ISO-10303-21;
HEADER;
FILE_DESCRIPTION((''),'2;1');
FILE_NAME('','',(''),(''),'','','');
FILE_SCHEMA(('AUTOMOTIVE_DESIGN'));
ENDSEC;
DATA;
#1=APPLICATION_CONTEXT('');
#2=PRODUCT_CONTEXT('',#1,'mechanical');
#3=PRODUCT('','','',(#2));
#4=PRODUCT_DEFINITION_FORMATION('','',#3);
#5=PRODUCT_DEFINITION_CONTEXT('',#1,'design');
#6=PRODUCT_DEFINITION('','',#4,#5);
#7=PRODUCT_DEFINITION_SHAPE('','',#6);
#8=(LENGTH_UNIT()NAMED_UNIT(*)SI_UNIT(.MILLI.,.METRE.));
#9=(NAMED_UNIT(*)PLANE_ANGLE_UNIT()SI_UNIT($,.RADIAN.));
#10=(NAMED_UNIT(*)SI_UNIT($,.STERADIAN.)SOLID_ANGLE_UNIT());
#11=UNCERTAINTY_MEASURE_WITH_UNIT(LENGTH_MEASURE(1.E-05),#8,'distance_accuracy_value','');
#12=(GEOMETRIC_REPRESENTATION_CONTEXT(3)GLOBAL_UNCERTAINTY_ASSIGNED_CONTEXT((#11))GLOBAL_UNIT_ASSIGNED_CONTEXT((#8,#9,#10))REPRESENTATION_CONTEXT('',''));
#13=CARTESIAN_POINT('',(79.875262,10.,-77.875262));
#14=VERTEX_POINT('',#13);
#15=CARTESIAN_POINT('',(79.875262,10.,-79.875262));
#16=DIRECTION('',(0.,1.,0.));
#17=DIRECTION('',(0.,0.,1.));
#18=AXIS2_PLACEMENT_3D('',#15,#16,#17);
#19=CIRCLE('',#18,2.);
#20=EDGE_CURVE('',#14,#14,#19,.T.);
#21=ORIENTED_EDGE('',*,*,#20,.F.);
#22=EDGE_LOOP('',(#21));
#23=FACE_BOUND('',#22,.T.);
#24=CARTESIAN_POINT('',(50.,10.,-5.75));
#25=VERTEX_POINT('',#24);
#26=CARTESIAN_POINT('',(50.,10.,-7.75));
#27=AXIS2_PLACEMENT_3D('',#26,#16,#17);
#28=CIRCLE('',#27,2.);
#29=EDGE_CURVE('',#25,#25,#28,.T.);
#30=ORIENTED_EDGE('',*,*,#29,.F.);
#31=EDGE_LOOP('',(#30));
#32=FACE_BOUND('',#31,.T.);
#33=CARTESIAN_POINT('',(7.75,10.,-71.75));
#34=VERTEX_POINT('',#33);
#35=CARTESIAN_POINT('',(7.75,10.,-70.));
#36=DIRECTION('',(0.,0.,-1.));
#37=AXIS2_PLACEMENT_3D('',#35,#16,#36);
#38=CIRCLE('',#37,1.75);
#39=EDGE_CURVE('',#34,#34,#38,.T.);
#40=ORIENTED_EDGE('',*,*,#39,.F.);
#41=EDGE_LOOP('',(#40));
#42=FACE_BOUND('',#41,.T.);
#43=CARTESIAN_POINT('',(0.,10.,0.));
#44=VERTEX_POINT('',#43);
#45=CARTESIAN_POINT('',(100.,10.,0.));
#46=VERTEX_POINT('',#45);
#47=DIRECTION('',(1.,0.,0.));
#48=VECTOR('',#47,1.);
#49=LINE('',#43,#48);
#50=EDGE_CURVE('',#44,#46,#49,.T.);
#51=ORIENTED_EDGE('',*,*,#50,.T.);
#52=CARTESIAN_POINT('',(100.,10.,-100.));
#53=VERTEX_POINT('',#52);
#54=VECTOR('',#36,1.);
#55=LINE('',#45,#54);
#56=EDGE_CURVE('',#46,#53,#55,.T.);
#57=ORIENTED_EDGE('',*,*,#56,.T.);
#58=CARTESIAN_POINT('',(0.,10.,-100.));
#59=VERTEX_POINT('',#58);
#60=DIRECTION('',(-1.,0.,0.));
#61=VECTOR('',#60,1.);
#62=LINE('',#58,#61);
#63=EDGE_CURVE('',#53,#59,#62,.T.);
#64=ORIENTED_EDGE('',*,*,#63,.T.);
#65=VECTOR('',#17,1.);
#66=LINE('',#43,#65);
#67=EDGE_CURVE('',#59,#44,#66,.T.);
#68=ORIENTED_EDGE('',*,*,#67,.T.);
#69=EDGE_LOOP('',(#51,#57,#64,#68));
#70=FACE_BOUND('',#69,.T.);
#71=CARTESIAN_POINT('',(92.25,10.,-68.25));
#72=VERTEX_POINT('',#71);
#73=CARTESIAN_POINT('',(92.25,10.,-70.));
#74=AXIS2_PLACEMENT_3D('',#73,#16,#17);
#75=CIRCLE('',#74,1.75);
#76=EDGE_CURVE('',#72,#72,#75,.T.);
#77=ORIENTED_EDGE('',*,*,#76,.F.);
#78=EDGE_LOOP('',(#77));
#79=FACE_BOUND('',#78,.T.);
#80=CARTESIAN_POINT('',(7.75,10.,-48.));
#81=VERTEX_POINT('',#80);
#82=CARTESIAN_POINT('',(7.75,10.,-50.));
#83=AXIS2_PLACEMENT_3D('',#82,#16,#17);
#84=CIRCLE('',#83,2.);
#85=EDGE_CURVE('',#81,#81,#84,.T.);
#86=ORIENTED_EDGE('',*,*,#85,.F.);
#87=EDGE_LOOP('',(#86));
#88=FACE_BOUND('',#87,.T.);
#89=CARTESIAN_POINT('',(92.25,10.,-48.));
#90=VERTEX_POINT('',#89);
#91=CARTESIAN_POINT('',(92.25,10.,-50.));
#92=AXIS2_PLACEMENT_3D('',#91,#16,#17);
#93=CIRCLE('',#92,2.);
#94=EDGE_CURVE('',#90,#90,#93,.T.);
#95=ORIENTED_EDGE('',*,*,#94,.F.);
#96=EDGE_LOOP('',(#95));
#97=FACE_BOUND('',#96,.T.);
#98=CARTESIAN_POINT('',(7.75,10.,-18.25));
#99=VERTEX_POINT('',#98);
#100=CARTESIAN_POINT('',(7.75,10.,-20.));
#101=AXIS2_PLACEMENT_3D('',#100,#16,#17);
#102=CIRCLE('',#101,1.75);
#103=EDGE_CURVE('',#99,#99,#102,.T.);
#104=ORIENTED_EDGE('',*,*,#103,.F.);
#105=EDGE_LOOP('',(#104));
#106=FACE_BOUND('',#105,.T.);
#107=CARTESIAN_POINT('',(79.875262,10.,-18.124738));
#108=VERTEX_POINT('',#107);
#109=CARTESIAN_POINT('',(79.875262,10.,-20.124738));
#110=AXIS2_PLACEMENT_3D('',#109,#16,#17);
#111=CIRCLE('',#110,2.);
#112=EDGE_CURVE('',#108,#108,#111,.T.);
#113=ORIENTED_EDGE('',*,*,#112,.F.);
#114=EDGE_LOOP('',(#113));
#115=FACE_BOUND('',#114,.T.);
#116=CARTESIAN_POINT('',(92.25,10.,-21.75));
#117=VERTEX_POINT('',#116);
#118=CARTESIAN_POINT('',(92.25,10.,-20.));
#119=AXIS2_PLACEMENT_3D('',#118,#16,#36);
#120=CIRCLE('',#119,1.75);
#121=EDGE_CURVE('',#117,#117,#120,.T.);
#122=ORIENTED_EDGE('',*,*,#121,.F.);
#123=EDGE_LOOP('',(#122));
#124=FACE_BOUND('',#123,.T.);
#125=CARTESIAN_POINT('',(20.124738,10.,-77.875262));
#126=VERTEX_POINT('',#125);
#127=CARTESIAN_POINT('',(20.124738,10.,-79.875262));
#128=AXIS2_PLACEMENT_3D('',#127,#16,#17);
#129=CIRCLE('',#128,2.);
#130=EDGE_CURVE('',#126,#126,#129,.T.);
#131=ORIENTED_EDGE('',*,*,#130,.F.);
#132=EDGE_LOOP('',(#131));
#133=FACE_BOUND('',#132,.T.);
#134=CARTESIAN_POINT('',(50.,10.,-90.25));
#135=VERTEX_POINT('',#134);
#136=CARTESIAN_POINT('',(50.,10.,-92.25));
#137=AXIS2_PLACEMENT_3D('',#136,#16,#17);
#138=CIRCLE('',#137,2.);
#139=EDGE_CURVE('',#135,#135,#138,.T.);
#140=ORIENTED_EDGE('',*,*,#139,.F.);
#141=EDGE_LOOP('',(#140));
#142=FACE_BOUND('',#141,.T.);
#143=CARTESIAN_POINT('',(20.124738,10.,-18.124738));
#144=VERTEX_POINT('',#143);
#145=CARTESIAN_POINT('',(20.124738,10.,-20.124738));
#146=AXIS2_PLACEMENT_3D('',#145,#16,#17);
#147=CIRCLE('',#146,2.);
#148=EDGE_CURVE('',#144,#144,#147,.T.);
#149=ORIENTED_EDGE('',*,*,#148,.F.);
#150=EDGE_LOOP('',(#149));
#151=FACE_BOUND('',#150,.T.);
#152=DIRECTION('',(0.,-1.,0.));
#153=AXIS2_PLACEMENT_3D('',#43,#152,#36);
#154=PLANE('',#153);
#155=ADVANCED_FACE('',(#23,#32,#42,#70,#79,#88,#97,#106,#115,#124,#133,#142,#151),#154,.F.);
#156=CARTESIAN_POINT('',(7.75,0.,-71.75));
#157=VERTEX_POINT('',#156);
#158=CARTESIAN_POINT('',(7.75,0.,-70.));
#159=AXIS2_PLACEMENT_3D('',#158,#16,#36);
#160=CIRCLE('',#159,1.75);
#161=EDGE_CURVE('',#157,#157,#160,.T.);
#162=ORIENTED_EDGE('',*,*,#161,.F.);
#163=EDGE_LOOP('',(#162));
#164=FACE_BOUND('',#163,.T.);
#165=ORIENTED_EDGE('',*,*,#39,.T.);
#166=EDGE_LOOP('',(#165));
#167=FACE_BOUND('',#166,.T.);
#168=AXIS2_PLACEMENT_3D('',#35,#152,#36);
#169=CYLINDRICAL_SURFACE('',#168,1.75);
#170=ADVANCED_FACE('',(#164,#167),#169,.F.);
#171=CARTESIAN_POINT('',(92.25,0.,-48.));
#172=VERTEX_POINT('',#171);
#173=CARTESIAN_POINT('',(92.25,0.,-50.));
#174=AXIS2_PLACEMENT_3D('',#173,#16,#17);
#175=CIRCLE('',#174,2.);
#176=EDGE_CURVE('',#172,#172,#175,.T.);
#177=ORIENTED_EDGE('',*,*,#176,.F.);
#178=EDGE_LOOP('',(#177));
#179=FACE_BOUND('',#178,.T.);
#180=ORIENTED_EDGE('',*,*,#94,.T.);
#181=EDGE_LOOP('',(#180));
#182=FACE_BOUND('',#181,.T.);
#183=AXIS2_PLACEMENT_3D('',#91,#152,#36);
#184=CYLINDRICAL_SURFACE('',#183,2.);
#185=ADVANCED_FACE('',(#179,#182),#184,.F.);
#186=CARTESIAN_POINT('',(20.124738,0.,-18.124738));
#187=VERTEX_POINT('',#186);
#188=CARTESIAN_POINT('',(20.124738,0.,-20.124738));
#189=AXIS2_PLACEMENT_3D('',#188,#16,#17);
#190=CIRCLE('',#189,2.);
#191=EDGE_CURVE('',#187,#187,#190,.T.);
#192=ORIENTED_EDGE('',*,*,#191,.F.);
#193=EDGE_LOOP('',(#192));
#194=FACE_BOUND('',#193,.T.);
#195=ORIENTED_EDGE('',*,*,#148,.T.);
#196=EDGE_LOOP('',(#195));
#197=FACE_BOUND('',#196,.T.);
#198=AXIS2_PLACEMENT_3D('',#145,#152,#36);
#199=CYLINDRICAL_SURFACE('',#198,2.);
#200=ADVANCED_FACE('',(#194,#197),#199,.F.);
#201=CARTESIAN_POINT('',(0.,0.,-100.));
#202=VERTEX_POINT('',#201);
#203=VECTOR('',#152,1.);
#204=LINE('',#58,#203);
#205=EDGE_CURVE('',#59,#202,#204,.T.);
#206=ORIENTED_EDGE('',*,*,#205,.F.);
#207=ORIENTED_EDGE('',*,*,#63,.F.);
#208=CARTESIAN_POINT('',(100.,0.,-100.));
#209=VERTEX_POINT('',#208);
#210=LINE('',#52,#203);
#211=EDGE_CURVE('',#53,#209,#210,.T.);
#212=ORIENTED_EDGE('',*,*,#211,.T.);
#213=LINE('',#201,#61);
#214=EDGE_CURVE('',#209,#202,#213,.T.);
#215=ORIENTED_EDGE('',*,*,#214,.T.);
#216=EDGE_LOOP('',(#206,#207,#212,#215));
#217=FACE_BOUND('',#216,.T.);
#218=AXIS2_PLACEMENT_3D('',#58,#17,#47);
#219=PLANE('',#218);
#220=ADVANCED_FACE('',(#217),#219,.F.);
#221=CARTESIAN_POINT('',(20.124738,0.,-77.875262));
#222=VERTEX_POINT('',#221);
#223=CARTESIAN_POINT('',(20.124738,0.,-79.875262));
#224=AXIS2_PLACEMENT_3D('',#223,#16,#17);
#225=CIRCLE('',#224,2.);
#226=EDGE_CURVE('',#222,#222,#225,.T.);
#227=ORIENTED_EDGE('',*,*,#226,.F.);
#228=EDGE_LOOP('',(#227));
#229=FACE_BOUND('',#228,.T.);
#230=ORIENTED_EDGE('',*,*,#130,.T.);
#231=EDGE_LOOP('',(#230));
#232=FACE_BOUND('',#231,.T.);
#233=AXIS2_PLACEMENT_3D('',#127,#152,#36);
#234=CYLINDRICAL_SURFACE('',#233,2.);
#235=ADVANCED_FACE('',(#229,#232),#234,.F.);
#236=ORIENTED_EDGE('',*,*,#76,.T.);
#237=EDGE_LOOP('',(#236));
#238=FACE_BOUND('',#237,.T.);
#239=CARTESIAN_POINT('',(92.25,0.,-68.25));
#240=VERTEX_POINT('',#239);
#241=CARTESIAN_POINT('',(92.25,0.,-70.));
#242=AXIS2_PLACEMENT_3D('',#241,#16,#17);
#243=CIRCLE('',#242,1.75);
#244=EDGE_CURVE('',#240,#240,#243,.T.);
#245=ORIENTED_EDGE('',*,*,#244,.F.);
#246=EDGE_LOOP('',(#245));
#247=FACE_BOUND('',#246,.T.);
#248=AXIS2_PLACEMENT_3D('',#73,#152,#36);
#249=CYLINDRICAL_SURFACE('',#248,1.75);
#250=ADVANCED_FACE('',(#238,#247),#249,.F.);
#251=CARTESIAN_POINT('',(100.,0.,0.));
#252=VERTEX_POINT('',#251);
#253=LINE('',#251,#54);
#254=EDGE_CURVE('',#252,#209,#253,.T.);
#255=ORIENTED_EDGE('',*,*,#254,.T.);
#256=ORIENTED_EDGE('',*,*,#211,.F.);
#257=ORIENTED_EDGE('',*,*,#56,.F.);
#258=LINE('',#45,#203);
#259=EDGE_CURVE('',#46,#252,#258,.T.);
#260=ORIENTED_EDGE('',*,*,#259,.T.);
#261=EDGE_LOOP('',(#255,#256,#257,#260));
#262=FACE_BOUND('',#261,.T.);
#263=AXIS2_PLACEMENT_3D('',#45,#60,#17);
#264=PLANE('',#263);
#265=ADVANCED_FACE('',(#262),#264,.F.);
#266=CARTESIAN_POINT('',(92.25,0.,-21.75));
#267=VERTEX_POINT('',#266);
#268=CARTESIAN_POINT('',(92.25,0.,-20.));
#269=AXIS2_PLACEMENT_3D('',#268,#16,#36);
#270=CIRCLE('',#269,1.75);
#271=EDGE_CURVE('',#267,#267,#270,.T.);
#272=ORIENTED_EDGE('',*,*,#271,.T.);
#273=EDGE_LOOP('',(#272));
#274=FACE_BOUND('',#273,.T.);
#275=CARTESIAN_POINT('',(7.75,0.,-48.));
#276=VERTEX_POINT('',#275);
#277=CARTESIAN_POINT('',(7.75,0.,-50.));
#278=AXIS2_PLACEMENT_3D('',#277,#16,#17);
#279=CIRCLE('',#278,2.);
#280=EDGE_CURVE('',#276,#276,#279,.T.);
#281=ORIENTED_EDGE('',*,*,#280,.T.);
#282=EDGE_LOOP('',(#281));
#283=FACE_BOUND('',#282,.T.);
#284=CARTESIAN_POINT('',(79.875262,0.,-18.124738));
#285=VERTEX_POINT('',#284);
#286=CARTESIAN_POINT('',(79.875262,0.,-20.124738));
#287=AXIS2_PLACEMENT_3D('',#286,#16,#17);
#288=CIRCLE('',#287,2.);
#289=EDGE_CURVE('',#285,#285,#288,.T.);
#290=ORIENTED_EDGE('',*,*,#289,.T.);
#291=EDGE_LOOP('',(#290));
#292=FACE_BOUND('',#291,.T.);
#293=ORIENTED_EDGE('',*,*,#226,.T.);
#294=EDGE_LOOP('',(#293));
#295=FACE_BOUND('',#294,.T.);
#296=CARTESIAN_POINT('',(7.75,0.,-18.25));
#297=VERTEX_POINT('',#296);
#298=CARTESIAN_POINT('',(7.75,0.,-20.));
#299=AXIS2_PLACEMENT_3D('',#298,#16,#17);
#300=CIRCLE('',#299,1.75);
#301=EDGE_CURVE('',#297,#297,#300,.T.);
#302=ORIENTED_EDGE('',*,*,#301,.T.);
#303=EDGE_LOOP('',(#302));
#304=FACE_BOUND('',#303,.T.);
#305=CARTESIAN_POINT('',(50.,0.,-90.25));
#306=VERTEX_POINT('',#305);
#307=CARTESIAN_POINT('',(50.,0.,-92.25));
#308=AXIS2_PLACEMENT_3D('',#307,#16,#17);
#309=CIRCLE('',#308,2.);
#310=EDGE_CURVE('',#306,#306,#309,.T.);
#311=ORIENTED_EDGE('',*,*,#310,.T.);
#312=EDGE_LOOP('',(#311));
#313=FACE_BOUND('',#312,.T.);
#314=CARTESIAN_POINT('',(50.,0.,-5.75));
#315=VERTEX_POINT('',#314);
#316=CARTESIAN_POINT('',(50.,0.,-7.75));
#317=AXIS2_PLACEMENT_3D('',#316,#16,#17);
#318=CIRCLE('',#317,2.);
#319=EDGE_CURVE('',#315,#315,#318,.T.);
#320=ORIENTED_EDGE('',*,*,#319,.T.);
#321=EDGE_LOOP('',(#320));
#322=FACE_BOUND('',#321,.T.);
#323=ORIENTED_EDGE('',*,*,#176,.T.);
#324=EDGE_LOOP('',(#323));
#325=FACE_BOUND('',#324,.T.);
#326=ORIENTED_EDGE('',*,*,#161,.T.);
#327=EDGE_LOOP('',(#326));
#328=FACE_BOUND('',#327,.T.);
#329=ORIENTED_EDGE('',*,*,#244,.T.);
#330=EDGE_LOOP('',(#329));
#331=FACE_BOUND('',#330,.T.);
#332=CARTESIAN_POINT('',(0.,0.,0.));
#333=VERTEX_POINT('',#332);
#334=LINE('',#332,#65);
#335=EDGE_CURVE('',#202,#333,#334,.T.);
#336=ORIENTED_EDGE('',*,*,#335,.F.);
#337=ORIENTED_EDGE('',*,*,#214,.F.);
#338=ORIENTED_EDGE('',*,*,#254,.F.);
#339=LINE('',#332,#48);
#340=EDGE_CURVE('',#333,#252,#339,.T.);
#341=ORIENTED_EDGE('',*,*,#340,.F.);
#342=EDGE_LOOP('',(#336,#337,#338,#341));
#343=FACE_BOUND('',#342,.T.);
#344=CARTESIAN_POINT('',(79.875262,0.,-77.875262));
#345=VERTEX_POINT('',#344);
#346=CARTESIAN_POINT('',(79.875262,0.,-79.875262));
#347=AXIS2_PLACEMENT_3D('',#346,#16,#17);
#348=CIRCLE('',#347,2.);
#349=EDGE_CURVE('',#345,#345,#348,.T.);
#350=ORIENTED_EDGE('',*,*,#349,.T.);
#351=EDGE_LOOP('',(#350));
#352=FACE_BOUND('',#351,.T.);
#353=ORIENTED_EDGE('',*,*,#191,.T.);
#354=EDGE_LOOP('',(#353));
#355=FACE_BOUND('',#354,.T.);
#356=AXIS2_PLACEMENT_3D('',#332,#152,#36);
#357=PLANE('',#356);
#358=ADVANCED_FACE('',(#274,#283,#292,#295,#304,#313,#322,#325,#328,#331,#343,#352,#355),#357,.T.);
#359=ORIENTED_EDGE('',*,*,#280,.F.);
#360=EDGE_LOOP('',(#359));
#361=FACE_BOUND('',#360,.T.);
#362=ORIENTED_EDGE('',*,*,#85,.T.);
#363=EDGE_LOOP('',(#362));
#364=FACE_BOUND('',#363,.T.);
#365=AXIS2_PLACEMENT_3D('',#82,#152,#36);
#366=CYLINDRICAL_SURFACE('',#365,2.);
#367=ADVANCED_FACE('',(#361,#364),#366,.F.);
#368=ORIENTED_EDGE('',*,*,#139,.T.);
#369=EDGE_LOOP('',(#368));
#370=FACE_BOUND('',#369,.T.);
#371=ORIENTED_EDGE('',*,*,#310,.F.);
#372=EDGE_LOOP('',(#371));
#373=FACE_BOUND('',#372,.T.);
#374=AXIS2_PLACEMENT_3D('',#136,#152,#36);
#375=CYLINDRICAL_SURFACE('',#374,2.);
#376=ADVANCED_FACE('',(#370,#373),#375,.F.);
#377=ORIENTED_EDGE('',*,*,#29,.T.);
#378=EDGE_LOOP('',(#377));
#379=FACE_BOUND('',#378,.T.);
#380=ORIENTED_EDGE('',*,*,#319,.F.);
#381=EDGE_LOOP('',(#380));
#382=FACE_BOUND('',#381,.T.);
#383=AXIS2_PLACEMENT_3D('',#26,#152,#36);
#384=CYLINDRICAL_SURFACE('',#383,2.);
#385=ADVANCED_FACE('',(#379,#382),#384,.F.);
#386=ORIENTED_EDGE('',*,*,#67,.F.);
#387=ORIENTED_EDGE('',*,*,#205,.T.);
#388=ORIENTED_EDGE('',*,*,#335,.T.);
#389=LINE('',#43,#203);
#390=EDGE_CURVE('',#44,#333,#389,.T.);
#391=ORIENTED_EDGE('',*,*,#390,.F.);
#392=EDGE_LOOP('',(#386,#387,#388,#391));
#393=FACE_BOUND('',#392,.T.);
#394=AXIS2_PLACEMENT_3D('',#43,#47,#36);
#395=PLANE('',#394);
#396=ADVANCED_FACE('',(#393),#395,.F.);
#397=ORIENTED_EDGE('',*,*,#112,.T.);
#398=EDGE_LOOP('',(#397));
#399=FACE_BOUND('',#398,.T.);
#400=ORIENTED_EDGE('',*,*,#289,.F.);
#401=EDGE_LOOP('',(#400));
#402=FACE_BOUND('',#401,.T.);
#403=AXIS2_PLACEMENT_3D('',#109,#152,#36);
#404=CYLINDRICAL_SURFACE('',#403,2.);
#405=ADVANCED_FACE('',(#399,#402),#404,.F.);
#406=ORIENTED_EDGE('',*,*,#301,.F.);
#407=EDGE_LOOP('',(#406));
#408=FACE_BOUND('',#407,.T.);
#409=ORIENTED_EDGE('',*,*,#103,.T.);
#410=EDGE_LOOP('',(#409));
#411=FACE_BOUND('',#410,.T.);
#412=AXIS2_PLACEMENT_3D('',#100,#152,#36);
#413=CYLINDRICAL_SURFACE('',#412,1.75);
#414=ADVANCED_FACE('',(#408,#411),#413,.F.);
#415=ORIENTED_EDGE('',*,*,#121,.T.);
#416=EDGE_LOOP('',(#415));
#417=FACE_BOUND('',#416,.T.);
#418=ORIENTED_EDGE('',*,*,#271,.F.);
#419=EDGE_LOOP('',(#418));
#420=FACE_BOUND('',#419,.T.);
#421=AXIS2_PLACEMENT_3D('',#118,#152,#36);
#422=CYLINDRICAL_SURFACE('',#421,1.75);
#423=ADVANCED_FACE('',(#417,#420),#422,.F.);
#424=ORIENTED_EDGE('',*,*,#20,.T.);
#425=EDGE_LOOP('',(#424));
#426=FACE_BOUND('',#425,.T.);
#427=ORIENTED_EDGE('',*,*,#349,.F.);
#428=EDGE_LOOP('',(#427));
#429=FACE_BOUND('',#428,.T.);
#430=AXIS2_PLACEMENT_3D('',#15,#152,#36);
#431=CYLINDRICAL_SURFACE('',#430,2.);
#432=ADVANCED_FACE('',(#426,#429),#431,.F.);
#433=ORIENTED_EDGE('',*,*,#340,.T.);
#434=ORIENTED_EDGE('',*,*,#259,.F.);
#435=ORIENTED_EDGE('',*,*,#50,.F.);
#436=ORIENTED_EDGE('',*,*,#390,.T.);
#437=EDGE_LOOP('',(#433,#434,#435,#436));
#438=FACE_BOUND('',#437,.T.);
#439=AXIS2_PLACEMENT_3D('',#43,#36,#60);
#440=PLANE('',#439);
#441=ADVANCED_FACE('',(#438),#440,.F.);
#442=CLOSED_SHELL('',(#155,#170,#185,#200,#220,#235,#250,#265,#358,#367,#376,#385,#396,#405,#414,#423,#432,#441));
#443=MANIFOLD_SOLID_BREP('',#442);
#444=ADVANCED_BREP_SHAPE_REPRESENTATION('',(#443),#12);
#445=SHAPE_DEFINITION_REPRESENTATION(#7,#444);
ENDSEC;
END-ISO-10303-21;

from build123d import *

# Parameters (mm, degrees)
SKETCH2_W           = 100
SKETCH2_H           = 100
SKETCH2_R           = 2
SKETCH2_R_2         = 1.75
BOSS_EXTRUDE1_DEPTH = 10


with BuildPart() as part:
    # Sketch2 → Boss-Extrude1 (new body)
    with BuildSketch(Plane(origin=(0, 0, 0), x_dir=(1, 0, 0), z_dir=(0, 1, 0))):
        with Locations((50, 50)):
            Rectangle(SKETCH2_W, SKETCH2_H)
        with Locations(Location((50, 92.25, 0), (0, 0, 270))):
            Circle(SKETCH2_R, mode=Mode.SUBTRACT)
        with Locations(Location((79.875261505, 79.875261505, 0), (0, 0, 270))):
            Circle(SKETCH2_R, mode=Mode.SUBTRACT)
        with Locations(Location((92.25, 50, 0), (0, 0, 270))):
            Circle(SKETCH2_R, mode=Mode.SUBTRACT)
        with Locations(Location((79.875261505, 20.124738495, 0), (0, 0, 270))):
            Circle(SKETCH2_R, mode=Mode.SUBTRACT)
        with Locations(Location((50, 7.75, 0), (0, 0, 270))):
            Circle(SKETCH2_R, mode=Mode.SUBTRACT)
        with Locations(Location((20.124738495, 20.124738495, 0), (0, 0, 270))):
            Circle(SKETCH2_R, mode=Mode.SUBTRACT)
        with Locations(Location((7.75, 50, 0), (0, 0, 270))):
            Circle(SKETCH2_R, mode=Mode.SUBTRACT)
        with Locations(Location((20.124738495, 79.875261505, 0), (0, 0, 270))):
            Circle(SKETCH2_R, mode=Mode.SUBTRACT)
        with Locations(Location((7.75, 20, 0), (0, 0, 270))):
            Circle(SKETCH2_R_2, mode=Mode.SUBTRACT)
        with Locations(Location((7.75, 70, 0), (0, 0, 90))):
            Circle(SKETCH2_R_2, mode=Mode.SUBTRACT)
        with Locations(Location((92.25, 20, 0), (0, 0, 90))):
            Circle(SKETCH2_R_2, mode=Mode.SUBTRACT)
        with Locations(Location((92.25, 70, 0), (0, 0, 270))):
            Circle(SKETCH2_R_2, mode=Mode.SUBTRACT)
    extrude(amount=BOSS_EXTRUDE1_DEPTH)


solid = part.part
